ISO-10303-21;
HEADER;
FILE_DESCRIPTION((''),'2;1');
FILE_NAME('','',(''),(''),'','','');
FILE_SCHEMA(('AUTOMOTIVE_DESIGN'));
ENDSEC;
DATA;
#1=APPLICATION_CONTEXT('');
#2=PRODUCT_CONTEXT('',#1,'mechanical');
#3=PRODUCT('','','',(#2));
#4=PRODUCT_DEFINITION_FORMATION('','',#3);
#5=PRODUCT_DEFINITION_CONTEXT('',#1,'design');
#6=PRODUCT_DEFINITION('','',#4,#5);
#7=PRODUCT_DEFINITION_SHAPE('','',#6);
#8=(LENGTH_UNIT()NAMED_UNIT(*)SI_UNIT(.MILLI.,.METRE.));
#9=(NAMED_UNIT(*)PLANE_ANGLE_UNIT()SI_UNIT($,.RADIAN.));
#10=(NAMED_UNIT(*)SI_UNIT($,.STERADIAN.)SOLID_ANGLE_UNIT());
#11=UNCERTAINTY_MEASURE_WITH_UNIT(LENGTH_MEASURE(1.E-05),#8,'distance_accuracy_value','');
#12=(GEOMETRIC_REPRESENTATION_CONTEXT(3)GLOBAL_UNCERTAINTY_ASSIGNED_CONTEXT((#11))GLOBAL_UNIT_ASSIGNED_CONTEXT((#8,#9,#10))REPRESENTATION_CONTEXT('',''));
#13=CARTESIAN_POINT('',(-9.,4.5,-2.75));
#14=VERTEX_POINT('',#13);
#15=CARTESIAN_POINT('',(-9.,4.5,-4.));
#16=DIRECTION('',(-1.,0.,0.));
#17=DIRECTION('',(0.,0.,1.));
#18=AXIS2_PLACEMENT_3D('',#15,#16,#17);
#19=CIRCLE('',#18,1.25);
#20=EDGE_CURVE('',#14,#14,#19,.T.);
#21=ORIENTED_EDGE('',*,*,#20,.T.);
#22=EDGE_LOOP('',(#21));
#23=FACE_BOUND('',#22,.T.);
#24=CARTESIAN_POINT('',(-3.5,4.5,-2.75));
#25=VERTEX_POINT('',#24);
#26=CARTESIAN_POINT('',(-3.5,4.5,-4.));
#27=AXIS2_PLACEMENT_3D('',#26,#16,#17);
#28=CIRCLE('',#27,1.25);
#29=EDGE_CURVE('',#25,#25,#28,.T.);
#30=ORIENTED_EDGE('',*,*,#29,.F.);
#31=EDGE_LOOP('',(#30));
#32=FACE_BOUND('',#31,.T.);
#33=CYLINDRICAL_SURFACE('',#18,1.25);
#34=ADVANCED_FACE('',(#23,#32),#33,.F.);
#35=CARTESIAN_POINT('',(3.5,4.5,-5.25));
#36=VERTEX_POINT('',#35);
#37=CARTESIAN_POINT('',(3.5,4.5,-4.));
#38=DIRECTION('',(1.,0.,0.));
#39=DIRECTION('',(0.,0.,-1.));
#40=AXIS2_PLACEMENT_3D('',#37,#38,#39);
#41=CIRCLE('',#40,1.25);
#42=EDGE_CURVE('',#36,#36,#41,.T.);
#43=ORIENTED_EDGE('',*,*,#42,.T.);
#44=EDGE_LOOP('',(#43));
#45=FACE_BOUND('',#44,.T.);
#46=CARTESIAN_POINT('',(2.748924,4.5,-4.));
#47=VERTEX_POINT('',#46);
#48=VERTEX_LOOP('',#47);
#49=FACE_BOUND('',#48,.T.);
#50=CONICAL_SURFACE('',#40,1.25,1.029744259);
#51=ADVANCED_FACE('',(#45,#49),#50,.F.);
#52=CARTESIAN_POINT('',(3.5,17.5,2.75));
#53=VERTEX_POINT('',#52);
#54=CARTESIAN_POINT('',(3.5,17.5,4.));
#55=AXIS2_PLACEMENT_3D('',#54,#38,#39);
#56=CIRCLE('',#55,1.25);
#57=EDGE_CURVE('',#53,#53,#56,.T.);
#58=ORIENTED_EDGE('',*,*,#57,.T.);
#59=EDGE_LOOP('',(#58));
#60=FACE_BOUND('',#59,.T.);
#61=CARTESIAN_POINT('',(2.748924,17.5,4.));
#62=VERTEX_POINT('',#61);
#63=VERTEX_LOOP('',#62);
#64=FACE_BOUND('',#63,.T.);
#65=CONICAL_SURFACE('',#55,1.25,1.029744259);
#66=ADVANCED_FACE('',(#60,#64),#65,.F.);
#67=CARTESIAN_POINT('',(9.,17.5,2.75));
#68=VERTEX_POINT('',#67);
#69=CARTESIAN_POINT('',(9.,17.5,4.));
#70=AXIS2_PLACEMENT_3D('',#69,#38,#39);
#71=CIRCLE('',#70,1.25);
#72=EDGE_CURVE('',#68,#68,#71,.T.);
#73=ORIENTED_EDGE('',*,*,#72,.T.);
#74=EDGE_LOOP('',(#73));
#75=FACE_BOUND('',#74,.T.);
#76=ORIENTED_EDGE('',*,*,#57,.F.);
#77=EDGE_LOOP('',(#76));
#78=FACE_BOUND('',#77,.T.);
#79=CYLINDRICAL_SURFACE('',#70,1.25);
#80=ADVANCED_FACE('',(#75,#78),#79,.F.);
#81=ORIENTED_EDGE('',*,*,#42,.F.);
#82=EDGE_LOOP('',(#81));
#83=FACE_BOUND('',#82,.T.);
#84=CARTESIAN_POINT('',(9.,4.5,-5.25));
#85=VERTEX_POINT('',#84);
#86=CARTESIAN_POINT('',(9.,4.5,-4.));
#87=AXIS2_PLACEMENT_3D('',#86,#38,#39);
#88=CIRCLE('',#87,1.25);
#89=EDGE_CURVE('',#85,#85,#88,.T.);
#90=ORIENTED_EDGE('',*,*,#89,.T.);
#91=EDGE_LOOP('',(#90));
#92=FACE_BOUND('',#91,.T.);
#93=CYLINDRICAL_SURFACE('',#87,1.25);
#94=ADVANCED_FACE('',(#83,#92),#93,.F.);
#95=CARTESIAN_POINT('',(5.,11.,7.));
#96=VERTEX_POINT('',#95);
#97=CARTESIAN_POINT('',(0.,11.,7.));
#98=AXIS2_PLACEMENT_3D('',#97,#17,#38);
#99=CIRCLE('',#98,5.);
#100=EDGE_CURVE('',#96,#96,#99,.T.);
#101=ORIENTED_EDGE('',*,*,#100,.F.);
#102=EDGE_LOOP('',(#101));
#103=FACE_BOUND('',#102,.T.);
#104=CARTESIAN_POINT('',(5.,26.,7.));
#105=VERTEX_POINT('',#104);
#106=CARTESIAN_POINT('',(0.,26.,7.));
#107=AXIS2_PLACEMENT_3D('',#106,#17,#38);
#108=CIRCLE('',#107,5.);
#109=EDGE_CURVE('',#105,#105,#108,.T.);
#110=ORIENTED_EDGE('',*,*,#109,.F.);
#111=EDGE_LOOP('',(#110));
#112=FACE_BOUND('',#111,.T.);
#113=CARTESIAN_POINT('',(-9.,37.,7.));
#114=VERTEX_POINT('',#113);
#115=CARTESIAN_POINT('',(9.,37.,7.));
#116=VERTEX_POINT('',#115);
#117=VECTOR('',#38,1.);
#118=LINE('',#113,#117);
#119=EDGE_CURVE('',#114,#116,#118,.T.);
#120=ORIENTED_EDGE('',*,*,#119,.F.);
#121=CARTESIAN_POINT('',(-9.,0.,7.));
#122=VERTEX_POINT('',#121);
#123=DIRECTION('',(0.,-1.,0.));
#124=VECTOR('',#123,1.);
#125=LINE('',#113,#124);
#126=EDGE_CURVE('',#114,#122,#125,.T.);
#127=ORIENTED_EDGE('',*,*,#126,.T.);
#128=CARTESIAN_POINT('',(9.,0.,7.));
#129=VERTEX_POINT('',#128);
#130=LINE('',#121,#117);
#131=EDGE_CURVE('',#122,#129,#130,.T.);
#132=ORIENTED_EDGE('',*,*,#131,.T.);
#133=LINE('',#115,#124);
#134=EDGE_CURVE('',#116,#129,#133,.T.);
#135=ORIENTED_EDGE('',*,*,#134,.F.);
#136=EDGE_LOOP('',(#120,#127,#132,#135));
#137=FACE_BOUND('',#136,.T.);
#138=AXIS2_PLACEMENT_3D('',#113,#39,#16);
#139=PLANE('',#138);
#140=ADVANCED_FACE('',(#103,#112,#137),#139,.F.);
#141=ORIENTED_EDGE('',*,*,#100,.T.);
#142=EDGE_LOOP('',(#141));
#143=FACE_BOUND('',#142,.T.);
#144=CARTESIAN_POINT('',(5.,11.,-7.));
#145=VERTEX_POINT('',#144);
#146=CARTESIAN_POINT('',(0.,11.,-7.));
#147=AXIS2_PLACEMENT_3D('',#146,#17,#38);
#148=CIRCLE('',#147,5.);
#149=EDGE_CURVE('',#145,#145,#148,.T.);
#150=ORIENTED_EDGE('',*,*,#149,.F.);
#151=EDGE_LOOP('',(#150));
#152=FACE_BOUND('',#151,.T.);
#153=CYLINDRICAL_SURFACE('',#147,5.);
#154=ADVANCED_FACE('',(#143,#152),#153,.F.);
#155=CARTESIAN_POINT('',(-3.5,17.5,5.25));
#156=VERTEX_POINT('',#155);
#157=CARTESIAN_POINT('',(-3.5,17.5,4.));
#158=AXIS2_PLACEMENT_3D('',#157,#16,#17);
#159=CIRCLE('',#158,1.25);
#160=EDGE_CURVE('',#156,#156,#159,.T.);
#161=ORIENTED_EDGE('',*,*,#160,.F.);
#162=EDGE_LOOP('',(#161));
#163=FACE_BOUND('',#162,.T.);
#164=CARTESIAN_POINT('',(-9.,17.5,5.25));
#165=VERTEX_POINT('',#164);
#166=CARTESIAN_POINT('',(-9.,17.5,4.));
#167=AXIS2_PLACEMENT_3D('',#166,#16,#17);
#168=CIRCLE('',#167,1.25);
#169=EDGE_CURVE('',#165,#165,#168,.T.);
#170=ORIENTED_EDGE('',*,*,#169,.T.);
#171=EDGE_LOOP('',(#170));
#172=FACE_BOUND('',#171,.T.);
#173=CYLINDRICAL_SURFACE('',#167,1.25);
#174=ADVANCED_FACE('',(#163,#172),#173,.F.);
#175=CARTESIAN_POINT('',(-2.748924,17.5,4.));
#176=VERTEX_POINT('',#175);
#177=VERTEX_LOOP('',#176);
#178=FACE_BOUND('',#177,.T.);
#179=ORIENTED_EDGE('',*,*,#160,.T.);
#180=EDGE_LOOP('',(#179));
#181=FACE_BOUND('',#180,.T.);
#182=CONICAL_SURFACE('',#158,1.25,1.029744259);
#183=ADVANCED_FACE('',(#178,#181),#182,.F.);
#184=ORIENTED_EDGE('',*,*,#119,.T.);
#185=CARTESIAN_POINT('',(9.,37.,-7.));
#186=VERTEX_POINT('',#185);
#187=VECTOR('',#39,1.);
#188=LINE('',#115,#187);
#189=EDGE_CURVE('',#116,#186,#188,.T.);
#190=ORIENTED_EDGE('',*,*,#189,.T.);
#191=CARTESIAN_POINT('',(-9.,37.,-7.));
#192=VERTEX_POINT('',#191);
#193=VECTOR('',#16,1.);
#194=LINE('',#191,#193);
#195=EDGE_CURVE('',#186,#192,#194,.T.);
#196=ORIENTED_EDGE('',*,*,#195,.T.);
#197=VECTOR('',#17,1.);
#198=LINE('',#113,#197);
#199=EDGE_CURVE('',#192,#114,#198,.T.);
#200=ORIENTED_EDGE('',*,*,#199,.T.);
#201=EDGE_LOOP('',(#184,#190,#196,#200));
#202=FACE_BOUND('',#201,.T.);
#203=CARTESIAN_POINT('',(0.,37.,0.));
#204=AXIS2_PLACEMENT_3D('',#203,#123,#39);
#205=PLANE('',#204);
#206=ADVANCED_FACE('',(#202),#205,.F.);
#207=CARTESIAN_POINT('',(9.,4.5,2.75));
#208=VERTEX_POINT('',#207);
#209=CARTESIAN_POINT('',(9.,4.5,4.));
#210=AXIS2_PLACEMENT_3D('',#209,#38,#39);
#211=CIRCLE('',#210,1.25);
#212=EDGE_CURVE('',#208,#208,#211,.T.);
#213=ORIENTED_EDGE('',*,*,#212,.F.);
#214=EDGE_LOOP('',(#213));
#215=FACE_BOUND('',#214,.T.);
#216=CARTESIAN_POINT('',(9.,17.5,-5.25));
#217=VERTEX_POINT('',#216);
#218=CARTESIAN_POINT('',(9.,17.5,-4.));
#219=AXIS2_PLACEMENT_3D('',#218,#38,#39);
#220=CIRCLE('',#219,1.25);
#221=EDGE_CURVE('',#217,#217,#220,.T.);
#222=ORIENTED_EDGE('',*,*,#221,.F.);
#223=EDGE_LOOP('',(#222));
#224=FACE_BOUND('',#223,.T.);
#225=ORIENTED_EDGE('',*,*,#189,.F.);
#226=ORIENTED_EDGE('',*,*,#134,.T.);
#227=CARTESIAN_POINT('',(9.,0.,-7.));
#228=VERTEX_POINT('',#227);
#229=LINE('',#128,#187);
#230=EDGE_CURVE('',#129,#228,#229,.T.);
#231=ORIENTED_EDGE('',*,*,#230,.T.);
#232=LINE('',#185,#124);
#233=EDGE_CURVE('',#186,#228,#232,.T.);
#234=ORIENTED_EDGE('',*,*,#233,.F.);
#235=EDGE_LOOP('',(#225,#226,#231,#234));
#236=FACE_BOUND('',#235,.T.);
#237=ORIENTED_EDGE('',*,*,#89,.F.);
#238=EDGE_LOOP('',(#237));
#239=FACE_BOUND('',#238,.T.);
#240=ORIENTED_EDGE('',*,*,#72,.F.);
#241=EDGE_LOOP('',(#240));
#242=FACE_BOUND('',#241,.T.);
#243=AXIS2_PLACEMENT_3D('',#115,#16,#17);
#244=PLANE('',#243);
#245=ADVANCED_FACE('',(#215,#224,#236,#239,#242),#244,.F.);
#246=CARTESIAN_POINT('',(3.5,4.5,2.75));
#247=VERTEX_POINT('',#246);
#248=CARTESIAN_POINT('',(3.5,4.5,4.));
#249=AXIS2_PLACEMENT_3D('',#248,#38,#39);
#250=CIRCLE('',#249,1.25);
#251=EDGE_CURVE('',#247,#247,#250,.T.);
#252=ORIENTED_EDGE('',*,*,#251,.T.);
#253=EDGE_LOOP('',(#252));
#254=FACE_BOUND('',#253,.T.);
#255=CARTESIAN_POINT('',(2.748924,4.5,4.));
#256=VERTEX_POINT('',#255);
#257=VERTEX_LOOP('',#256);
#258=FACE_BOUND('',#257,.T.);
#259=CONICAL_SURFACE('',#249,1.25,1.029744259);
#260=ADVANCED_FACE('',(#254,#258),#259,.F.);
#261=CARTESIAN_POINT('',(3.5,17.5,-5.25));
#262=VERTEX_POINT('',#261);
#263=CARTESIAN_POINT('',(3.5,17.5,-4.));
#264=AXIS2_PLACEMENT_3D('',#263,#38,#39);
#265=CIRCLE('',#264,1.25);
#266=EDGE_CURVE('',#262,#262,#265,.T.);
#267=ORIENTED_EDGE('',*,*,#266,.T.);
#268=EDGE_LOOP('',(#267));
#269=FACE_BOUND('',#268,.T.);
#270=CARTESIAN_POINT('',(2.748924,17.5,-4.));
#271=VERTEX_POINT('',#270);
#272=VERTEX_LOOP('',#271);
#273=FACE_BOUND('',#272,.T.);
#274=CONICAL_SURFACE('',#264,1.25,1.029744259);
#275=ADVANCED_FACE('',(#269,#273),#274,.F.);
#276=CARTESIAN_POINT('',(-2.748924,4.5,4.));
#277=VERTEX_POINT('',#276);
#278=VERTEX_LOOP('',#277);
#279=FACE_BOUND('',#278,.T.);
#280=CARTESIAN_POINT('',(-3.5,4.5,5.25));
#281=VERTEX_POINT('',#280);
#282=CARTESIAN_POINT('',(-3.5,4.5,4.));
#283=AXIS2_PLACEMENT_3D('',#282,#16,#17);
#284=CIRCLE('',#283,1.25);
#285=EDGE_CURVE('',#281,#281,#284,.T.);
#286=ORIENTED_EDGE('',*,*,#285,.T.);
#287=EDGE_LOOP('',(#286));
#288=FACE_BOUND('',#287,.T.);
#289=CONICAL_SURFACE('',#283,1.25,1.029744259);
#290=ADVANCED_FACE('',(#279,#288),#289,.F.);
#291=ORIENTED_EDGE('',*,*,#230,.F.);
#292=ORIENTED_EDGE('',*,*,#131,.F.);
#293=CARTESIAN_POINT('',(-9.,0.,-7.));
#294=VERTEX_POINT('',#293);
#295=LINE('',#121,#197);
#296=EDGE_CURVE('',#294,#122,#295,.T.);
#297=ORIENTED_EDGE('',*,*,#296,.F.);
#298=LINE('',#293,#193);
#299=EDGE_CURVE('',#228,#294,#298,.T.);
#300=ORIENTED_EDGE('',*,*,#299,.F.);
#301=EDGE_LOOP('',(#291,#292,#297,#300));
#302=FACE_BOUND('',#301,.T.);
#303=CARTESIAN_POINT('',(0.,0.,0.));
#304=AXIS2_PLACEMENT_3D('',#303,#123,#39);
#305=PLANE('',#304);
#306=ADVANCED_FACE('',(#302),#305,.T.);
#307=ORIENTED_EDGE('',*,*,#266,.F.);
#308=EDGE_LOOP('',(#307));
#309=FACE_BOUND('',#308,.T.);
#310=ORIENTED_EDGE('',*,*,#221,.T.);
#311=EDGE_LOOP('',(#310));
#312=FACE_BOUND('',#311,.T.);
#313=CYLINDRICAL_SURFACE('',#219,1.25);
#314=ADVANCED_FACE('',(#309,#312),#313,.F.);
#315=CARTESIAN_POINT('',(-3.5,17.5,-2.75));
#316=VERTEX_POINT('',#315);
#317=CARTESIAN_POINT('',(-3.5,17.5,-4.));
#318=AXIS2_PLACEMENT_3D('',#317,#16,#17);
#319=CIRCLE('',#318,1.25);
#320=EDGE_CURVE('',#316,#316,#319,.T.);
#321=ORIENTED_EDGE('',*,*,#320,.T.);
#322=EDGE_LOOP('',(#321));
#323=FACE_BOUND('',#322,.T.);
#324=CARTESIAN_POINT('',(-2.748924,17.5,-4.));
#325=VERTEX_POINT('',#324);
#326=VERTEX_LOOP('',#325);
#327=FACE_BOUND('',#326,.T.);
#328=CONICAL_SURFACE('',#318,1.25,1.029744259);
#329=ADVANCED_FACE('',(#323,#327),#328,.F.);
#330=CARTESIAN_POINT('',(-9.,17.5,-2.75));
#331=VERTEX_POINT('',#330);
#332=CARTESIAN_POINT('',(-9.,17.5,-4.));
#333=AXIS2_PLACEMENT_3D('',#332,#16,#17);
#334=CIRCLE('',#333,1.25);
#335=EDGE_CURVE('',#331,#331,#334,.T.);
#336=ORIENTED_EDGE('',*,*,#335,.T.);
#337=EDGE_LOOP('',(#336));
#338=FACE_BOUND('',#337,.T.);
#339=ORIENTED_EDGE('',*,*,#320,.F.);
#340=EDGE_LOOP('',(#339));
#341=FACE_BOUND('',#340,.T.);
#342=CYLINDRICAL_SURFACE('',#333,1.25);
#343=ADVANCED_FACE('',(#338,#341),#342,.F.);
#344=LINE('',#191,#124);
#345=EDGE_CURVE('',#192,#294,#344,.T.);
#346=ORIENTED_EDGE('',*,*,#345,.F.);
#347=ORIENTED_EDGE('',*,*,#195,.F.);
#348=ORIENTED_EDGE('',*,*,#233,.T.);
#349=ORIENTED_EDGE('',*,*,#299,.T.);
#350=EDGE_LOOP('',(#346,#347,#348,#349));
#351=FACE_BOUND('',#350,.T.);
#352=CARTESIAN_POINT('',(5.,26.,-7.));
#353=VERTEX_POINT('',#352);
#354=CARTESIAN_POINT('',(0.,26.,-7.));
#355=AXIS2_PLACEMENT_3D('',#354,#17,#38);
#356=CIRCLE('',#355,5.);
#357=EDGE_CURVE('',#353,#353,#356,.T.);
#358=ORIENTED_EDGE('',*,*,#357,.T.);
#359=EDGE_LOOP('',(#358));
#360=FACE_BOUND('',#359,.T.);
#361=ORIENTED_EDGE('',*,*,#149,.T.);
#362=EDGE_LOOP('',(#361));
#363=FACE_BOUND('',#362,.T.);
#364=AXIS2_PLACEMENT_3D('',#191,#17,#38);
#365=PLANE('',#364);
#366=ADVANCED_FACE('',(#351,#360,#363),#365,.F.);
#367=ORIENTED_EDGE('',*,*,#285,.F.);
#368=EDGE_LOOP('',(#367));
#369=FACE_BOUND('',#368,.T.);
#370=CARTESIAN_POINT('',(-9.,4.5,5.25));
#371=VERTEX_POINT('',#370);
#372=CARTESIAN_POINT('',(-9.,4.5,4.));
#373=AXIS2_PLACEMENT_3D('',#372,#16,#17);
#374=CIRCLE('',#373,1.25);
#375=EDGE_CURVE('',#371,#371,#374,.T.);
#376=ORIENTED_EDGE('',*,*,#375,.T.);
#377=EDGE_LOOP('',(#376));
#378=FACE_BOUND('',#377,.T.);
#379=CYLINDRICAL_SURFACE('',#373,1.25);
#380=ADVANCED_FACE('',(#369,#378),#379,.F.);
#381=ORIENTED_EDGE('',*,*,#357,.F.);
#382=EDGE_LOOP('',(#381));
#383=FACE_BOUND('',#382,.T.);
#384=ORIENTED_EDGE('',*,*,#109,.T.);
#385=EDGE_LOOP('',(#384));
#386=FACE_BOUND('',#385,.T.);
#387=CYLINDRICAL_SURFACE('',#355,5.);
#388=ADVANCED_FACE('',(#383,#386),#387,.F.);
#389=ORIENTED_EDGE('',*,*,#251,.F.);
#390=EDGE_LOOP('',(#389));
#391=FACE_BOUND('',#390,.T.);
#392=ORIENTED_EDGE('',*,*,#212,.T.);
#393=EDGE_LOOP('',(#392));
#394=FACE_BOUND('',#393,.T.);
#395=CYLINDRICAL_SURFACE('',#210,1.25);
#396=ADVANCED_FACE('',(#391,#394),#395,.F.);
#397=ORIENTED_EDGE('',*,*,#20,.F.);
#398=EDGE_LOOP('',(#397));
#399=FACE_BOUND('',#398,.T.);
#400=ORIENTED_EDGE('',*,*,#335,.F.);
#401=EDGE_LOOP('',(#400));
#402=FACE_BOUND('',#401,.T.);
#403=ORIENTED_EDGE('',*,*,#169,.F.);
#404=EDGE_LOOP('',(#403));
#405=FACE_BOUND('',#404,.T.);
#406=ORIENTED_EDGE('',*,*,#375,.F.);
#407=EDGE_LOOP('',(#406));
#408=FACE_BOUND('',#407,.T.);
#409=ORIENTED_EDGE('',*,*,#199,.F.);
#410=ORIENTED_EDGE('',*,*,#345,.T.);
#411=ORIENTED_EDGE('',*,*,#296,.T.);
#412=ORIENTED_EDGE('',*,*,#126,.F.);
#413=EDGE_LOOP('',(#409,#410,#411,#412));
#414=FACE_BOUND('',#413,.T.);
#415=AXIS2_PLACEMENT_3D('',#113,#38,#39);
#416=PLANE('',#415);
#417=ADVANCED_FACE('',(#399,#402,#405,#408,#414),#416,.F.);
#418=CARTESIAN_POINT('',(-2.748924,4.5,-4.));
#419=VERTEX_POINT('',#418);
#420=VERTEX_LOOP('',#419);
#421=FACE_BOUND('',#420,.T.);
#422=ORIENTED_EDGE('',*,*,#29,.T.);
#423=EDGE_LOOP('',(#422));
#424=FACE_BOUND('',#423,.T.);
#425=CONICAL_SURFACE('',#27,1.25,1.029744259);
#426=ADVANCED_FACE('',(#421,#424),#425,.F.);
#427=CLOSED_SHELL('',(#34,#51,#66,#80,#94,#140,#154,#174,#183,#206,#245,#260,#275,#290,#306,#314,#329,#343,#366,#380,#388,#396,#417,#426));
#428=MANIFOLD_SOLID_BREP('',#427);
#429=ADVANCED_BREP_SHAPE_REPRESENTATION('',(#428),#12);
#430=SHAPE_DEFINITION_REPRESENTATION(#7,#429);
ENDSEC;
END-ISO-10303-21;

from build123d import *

# Parameters (mm, degrees)
SKETCH2_W                      = 18
SKETCH2_H                      = 14
BOSS_EXTRUDE1_DEPTH            = 37
SKETCH3_R                      = 5
CUT_EXTRUDE1_DEPTH             = 15
M3X0_5_TAPPED_HOLE1_AT_2_COUNT = 2
M3X0_5_TAPPED_HOLE1_AT_2_PITCH = 8
M3X0_5_TAPPED_HOLE1_AT_3_COUNT = 2
M3X0_5_TAPPED_HOLE1_AT_3_PITCH = 15.264337522
M3X0_5_TAPPED_HOLE1_AT_4_COUNT = 2
M3X0_5_TAPPED_HOLE1_AT_4_PITCH = 13


with BuildPart() as part:
    # Sketch2 → Boss-Extrude1 (new body)
    with BuildSketch(Plane(origin=(0, 0, 0), x_dir=(1, 0, 0), z_dir=(0, 1, 0))):
        Rectangle(SKETCH2_W, SKETCH2_H)
    extrude(amount=BOSS_EXTRUDE1_DEPTH)

    # Sketch3 → Cut-Extrude1 (cut, through all)
    with BuildSketch(Plane.XY.offset(7)):
        with Locations((0, 26)):
            Circle(SKETCH3_R)
        with Locations((0, 11)):
            Circle(SKETCH3_R)
    extrude(amount=-CUT_EXTRUDE1_DEPTH, mode=Mode.SUBTRACT)

    # Sketch5 → M3x0.5 Tapped Hole1 (revolve, cut)
    with BuildSketch(Plane(origin=(-9, 17.5, -4), x_dir=(0, 0, 1), z_dir=(0, 1, 0))):
        Polygon((0, 0), (0, 6.251075774), (1.25, 5.5), (1.25, 0), align=None)
    m3x0_5_tapped_hole1 = revolve(axis=Axis((-15.35, 17.5, -4), (1, 0, 0)), mode=Mode.SUBTRACT)

    # M3x0.5 Tapped Hole1 at 2: M3x0.5 Tapped Hole1 ×2
    with Locations(*[(0, 0, i * M3X0_5_TAPPED_HOLE1_AT_2_PITCH) for i in range(1, M3X0_5_TAPPED_HOLE1_AT_2_COUNT)]):
        add(m3x0_5_tapped_hole1, mode=Mode.SUBTRACT)

    # M3x0.5 Tapped Hole1 at 3: M3x0.5 Tapped Hole1 ×2
    with Locations(*[Vector(0, -0.851658317, 0.524097426) * (i * M3X0_5_TAPPED_HOLE1_AT_3_PITCH) for i in range(1, M3X0_5_TAPPED_HOLE1_AT_3_COUNT)]):
        add(m3x0_5_tapped_hole1, mode=Mode.SUBTRACT)

    # M3x0.5 Tapped Hole1 at 4: M3x0.5 Tapped Hole1 ×2
    with Locations(*[(0, -i * M3X0_5_TAPPED_HOLE1_AT_4_PITCH, 0) for i in range(1, M3X0_5_TAPPED_HOLE1_AT_4_COUNT)]):
        add(m3x0_5_tapped_hole1, mode=Mode.SUBTRACT)

    # Mirror1: M3x0.5 Tapped Hole1 across plane
    add(m3x0_5_tapped_hole1.mirror(Plane(origin=(0, 0, 0), x_dir=(0, 0, 1), z_dir=(1, 0, 0))), mode=Mode.SUBTRACT)

    # Mirror1 copy 1 sketch → Mirror1 copy 1 (revolve, cut)
    with BuildSketch(Plane(origin=(9, 17.5, 4), x_dir=(0, 0, 1), z_dir=(0, 1, 0))):
        Polygon((0, 0), (0, -6.251075774), (1.25, -5.5), (1.25, 0), align=None)
    revolve(axis=Axis((15.35, 17.5, 4), (1, 0, 0)), mode=Mode.SUBTRACT)

    # Mirror1 copy 2 sketch → Mirror1 copy 2 (revolve, cut)
    with BuildSketch(Plane(origin=(9, 4.5, 4), x_dir=(0, 0, 1), z_dir=(0, 1, 0))):
        Polygon((0, 0), (0, -6.251075774), (1.25, -5.5), (1.25, 0), align=None)
    revolve(axis=Axis((15.35, 4.5, 4), (1, 0, 0)), mode=Mode.SUBTRACT)

    # Mirror1 copy 3 sketch → Mirror1 copy 3 (revolve, cut)
    with BuildSketch(Plane(origin=(9, 4.5, -4), x_dir=(0, 0, 1), z_dir=(0, 1, 0))):
        Polygon((0, 0), (0, -6.251075774), (1.25, -5.5), (1.25, 0), align=None)
    revolve(axis=Axis((15.35, 4.5, -4), (1, 0, 0)), mode=Mode.SUBTRACT)


solid = part.part
